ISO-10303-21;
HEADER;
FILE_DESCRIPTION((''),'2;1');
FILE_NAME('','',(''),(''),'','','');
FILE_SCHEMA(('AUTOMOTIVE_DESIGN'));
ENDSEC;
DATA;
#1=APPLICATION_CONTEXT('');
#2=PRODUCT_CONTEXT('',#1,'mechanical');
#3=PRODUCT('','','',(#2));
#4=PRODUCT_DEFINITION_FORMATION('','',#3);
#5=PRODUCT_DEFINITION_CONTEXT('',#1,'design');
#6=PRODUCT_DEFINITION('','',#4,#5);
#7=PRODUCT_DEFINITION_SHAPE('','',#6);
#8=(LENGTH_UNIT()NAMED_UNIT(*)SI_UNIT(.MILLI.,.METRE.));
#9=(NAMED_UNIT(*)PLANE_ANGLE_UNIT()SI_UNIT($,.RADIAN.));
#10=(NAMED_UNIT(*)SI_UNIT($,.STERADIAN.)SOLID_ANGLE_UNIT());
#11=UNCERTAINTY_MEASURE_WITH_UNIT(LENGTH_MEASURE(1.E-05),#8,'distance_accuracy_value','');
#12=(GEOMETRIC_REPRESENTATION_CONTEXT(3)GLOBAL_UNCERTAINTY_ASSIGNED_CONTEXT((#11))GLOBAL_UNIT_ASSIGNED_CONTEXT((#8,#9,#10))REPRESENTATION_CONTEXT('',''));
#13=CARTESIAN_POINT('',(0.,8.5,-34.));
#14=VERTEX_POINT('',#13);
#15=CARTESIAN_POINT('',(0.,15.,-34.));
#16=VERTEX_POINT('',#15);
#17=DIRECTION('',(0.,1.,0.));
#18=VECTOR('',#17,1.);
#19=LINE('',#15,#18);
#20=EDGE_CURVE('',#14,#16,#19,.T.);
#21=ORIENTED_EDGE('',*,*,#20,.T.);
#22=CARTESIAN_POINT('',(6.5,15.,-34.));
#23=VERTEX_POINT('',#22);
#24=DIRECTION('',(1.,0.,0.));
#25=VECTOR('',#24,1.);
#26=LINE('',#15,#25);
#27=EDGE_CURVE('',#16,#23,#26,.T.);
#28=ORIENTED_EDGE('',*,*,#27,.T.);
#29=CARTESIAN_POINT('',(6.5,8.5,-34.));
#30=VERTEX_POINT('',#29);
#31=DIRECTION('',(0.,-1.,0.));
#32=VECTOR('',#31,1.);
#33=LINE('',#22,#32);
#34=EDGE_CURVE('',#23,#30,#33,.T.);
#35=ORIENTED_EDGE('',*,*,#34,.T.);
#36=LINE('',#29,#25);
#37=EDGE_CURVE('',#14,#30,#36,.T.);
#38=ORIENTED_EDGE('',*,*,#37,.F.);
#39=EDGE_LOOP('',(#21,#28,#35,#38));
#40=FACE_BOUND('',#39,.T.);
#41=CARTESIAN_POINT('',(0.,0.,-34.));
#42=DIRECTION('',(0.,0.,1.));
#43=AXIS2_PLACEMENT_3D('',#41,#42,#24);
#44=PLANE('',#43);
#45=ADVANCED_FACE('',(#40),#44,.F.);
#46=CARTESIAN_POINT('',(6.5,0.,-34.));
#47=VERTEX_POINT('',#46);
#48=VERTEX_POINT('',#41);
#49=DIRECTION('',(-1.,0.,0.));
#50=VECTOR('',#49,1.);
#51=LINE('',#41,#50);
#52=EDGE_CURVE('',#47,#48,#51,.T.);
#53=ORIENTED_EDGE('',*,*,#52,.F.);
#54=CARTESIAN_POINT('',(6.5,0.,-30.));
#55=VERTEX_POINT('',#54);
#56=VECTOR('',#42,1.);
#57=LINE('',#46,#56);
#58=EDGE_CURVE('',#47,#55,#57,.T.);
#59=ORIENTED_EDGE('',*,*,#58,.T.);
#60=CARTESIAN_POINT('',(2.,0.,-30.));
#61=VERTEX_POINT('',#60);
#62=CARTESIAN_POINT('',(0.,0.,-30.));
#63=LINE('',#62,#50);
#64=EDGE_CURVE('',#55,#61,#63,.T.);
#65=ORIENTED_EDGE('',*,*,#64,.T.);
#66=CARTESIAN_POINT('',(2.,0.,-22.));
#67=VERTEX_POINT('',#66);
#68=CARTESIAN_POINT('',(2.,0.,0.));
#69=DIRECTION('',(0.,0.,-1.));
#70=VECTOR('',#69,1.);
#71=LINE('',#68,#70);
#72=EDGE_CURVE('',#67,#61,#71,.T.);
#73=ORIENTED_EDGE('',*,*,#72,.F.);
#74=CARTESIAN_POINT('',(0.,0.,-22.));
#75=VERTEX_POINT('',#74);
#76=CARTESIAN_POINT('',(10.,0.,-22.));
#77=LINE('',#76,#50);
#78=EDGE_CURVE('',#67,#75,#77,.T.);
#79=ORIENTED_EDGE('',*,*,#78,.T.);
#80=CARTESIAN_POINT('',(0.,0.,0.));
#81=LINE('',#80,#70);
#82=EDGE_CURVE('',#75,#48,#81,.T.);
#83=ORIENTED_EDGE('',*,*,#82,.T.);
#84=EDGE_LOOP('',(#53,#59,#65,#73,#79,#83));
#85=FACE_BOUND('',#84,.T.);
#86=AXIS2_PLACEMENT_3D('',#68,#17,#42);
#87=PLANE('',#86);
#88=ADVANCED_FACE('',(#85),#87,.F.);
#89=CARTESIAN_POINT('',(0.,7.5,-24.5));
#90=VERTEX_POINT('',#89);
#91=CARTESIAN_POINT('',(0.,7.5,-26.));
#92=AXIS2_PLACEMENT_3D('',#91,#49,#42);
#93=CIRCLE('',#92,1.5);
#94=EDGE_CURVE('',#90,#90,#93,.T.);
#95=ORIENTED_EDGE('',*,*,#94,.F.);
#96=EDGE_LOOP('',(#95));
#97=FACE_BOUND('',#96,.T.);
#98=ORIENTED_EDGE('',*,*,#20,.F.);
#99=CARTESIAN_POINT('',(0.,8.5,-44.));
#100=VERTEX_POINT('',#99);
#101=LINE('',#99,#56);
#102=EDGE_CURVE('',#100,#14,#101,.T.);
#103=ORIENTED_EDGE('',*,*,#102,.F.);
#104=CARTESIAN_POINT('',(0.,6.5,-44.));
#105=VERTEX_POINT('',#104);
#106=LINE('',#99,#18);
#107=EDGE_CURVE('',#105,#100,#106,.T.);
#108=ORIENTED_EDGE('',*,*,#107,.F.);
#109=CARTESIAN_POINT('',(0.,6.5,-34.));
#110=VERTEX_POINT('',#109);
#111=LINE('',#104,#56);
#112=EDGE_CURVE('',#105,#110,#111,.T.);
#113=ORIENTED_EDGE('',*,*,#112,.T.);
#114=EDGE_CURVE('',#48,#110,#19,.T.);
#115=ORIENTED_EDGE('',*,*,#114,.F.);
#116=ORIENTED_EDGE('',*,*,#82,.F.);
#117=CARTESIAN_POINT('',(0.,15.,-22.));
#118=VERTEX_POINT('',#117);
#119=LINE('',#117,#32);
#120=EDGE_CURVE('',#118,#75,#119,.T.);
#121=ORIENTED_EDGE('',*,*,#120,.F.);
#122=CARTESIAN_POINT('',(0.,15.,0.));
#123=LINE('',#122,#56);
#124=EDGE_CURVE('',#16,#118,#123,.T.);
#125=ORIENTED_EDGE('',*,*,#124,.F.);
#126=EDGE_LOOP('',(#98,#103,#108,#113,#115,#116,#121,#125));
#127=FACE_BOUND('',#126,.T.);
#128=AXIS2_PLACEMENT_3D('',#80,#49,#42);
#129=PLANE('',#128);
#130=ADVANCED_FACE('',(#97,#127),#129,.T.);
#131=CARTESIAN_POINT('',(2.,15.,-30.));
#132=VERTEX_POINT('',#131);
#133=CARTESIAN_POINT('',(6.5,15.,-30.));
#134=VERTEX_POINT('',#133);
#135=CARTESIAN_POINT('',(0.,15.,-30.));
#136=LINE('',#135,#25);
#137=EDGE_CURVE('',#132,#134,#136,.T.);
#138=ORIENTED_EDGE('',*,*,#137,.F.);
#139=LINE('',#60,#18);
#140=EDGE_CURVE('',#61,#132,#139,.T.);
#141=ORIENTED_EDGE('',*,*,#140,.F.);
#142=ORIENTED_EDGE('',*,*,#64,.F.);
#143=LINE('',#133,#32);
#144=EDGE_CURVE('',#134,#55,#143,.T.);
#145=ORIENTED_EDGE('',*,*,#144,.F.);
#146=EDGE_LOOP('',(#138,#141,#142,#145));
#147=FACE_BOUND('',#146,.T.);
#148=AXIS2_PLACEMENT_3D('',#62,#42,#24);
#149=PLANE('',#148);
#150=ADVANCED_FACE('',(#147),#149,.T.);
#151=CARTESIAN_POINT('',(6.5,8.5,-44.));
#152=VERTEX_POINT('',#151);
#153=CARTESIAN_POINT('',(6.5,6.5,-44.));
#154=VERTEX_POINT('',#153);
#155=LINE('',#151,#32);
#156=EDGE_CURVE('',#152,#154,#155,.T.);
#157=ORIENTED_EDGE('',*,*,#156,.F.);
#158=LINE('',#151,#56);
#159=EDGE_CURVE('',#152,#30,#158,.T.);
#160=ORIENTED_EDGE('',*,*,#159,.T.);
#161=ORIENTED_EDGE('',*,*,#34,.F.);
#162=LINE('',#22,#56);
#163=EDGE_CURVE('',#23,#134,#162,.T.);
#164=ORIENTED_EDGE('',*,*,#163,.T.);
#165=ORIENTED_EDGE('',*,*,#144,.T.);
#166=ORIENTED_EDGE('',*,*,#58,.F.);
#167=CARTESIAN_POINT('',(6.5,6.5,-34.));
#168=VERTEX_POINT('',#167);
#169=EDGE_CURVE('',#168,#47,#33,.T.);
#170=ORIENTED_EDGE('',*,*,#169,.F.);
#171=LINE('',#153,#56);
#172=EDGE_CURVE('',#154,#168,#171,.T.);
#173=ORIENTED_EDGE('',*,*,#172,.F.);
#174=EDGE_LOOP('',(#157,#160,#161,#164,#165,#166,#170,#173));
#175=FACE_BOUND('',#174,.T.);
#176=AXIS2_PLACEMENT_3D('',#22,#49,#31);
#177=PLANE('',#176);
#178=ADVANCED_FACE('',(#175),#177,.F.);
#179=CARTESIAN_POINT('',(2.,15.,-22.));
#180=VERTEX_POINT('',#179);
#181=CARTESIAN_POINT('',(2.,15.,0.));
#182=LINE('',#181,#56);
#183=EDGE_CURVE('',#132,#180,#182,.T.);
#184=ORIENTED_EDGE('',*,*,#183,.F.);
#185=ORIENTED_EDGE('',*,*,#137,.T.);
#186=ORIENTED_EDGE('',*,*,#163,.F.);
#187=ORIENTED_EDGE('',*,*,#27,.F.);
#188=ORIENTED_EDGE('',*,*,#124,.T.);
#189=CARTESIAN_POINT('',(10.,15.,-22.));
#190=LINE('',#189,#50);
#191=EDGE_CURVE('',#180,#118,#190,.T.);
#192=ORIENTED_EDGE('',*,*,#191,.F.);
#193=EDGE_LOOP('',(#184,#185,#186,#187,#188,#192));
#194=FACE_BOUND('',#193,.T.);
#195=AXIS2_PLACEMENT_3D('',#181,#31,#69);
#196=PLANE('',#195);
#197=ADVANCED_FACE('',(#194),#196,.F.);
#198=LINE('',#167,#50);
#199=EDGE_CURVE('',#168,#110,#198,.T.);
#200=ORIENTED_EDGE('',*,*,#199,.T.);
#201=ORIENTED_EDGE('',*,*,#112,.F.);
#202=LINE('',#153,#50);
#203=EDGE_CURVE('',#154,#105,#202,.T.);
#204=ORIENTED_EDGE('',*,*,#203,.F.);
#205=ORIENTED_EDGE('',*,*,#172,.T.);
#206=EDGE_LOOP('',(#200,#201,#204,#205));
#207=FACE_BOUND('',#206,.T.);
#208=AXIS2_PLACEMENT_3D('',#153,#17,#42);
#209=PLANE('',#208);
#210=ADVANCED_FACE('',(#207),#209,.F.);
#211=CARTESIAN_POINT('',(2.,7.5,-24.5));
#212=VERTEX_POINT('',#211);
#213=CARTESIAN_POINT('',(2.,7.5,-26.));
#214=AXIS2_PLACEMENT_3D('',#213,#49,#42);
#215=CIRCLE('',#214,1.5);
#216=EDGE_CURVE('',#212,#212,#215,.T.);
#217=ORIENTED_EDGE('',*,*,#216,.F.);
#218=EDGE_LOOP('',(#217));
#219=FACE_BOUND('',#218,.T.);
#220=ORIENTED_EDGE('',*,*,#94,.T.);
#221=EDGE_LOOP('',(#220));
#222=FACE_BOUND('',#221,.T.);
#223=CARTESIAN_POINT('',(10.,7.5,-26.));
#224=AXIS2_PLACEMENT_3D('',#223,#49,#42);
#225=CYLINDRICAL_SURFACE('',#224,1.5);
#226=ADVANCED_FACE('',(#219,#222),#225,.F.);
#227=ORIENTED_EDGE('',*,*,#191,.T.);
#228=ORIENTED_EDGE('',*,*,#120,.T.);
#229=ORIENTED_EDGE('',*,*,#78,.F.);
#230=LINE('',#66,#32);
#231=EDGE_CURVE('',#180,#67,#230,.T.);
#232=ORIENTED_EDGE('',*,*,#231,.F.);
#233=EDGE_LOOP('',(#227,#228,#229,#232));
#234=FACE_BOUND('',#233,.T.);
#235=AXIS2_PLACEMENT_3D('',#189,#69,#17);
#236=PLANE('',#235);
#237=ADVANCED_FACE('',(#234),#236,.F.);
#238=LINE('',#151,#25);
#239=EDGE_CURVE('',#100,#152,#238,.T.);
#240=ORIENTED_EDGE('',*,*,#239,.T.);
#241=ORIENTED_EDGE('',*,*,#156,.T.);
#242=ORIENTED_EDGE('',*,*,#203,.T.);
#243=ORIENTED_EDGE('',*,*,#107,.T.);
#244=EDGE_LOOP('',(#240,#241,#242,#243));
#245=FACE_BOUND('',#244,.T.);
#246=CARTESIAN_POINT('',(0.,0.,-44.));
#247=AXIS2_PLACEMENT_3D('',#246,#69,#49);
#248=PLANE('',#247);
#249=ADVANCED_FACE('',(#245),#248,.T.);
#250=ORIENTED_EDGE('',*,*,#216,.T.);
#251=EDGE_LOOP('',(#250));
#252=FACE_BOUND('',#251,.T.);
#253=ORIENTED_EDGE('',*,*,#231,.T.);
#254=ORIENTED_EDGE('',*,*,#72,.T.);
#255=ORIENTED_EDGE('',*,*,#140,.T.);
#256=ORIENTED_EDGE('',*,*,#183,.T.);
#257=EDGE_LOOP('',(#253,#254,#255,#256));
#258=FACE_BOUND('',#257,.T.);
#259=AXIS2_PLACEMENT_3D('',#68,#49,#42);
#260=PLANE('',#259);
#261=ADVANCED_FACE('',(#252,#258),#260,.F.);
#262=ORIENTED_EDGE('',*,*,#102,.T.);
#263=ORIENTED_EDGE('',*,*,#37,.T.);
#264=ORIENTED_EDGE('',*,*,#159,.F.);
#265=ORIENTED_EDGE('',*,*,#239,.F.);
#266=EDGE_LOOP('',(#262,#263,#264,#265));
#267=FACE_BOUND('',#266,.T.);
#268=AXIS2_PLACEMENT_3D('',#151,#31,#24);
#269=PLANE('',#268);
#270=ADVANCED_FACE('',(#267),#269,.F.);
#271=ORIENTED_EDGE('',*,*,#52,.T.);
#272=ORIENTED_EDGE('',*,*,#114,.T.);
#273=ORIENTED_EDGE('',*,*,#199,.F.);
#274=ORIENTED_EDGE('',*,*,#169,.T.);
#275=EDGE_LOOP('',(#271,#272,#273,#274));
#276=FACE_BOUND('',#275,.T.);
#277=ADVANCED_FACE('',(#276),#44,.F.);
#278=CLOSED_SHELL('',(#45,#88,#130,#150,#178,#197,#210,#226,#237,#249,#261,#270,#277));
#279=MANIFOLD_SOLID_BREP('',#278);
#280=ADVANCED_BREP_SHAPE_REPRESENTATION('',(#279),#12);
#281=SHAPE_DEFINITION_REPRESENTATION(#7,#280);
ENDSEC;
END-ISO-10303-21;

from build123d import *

# Parameters (mm, degrees)
SKETCH1_W           = 30
SKETCH1_H           = 15
BOSS_EXTRUDE1_DEPTH = 2
SKETCH2_W           = 6.5
SKETCH2_H           = 15
BOSS_EXTRUDE2_DEPTH = 4
SKETCH3_W           = 6.5
SKETCH3_H           = 2
BOSS_EXTRUDE3_DEPTH = 10
SKETCH4_R           = 2
CUT_EXTRUDE2_DEPTH  = 5
BOSS_EXTRUDE4_START = 5
SKETCH5_R           = 3.5
SKETCH5_R_2         = 2
BOSS_EXTRUDE4_DEPTH = 5
SKETCH6_W           = 22
SKETCH6_H           = 15
CUT_EXTRUDE3_DEPTH  = 10
SKETCH7_R           = 1.5
CUT_EXTRUDE4_DEPTH  = 10


with BuildPart() as part:
    # Sketch1 → Boss-Extrude1 (new body)
    with BuildSketch(Plane(origin=(0, 0, 0), x_dir=(0, 0, -1), z_dir=(1, 0, 0))):
        with Locations((15, 7.5)):
            Rectangle(SKETCH1_W, SKETCH1_H)
    extrude(amount=BOSS_EXTRUDE1_DEPTH)

    # Sketch2 → Boss-Extrude2 (add)
    with BuildSketch(Plane(origin=(0, 0, -30), x_dir=(-1, 0, 0), z_dir=(0, 0, -1))):
        with Locations((-3.25, 7.5)):
            Rectangle(SKETCH2_W, SKETCH2_H)
    extrude(amount=BOSS_EXTRUDE2_DEPTH)

    # Sketch3 → Boss-Extrude3 (add)
    with BuildSketch(Plane(origin=(0, 0, -34), x_dir=(-1, 0, 0), z_dir=(0, 0, -1))):
        with Locations((-3.25, 7.5)):
            Rectangle(SKETCH3_W, SKETCH3_H)
    extrude(amount=BOSS_EXTRUDE3_DEPTH)

    # Sketch4 → Cut-Extrude2 (cut)
    with BuildSketch(Plane(origin=(2, 0, 0), x_dir=(0, 0, -1), z_dir=(1, 0, 0))):
        with Locations((10, 7.5)):
            Circle(SKETCH4_R)
    extrude(amount=-CUT_EXTRUDE2_DEPTH, mode=Mode.SUBTRACT)

    # Sketch5 → Boss-Extrude4 (add)
    with BuildSketch(Plane(origin=(2, 0, 0), x_dir=(0, 0, -1), z_dir=(1, 0, 0)).offset(BOSS_EXTRUDE4_START)):
        with Locations(Location((10, 7.5, 0), (0, 0, 180))):
            Circle(SKETCH5_R)
        with Locations((10, 7.5)):
            Circle(SKETCH5_R_2, mode=Mode.SUBTRACT)
    extrude(amount=-BOSS_EXTRUDE4_DEPTH)

    # Sketch6 → Cut-Extrude3 (cut)
    with BuildSketch(Plane.ZY):
        with Locations((-11, 7.5)):
            Rectangle(SKETCH6_W, SKETCH6_H)
    extrude(amount=-CUT_EXTRUDE3_DEPTH, mode=Mode.SUBTRACT)

    # Sketch7 → Cut-Extrude4 (cut)
    with BuildSketch(Plane.ZY):
        with Locations((-26, 7.5)):
            Circle(SKETCH7_R)
    extrude(amount=-CUT_EXTRUDE4_DEPTH, mode=Mode.SUBTRACT)


solid = part.part
